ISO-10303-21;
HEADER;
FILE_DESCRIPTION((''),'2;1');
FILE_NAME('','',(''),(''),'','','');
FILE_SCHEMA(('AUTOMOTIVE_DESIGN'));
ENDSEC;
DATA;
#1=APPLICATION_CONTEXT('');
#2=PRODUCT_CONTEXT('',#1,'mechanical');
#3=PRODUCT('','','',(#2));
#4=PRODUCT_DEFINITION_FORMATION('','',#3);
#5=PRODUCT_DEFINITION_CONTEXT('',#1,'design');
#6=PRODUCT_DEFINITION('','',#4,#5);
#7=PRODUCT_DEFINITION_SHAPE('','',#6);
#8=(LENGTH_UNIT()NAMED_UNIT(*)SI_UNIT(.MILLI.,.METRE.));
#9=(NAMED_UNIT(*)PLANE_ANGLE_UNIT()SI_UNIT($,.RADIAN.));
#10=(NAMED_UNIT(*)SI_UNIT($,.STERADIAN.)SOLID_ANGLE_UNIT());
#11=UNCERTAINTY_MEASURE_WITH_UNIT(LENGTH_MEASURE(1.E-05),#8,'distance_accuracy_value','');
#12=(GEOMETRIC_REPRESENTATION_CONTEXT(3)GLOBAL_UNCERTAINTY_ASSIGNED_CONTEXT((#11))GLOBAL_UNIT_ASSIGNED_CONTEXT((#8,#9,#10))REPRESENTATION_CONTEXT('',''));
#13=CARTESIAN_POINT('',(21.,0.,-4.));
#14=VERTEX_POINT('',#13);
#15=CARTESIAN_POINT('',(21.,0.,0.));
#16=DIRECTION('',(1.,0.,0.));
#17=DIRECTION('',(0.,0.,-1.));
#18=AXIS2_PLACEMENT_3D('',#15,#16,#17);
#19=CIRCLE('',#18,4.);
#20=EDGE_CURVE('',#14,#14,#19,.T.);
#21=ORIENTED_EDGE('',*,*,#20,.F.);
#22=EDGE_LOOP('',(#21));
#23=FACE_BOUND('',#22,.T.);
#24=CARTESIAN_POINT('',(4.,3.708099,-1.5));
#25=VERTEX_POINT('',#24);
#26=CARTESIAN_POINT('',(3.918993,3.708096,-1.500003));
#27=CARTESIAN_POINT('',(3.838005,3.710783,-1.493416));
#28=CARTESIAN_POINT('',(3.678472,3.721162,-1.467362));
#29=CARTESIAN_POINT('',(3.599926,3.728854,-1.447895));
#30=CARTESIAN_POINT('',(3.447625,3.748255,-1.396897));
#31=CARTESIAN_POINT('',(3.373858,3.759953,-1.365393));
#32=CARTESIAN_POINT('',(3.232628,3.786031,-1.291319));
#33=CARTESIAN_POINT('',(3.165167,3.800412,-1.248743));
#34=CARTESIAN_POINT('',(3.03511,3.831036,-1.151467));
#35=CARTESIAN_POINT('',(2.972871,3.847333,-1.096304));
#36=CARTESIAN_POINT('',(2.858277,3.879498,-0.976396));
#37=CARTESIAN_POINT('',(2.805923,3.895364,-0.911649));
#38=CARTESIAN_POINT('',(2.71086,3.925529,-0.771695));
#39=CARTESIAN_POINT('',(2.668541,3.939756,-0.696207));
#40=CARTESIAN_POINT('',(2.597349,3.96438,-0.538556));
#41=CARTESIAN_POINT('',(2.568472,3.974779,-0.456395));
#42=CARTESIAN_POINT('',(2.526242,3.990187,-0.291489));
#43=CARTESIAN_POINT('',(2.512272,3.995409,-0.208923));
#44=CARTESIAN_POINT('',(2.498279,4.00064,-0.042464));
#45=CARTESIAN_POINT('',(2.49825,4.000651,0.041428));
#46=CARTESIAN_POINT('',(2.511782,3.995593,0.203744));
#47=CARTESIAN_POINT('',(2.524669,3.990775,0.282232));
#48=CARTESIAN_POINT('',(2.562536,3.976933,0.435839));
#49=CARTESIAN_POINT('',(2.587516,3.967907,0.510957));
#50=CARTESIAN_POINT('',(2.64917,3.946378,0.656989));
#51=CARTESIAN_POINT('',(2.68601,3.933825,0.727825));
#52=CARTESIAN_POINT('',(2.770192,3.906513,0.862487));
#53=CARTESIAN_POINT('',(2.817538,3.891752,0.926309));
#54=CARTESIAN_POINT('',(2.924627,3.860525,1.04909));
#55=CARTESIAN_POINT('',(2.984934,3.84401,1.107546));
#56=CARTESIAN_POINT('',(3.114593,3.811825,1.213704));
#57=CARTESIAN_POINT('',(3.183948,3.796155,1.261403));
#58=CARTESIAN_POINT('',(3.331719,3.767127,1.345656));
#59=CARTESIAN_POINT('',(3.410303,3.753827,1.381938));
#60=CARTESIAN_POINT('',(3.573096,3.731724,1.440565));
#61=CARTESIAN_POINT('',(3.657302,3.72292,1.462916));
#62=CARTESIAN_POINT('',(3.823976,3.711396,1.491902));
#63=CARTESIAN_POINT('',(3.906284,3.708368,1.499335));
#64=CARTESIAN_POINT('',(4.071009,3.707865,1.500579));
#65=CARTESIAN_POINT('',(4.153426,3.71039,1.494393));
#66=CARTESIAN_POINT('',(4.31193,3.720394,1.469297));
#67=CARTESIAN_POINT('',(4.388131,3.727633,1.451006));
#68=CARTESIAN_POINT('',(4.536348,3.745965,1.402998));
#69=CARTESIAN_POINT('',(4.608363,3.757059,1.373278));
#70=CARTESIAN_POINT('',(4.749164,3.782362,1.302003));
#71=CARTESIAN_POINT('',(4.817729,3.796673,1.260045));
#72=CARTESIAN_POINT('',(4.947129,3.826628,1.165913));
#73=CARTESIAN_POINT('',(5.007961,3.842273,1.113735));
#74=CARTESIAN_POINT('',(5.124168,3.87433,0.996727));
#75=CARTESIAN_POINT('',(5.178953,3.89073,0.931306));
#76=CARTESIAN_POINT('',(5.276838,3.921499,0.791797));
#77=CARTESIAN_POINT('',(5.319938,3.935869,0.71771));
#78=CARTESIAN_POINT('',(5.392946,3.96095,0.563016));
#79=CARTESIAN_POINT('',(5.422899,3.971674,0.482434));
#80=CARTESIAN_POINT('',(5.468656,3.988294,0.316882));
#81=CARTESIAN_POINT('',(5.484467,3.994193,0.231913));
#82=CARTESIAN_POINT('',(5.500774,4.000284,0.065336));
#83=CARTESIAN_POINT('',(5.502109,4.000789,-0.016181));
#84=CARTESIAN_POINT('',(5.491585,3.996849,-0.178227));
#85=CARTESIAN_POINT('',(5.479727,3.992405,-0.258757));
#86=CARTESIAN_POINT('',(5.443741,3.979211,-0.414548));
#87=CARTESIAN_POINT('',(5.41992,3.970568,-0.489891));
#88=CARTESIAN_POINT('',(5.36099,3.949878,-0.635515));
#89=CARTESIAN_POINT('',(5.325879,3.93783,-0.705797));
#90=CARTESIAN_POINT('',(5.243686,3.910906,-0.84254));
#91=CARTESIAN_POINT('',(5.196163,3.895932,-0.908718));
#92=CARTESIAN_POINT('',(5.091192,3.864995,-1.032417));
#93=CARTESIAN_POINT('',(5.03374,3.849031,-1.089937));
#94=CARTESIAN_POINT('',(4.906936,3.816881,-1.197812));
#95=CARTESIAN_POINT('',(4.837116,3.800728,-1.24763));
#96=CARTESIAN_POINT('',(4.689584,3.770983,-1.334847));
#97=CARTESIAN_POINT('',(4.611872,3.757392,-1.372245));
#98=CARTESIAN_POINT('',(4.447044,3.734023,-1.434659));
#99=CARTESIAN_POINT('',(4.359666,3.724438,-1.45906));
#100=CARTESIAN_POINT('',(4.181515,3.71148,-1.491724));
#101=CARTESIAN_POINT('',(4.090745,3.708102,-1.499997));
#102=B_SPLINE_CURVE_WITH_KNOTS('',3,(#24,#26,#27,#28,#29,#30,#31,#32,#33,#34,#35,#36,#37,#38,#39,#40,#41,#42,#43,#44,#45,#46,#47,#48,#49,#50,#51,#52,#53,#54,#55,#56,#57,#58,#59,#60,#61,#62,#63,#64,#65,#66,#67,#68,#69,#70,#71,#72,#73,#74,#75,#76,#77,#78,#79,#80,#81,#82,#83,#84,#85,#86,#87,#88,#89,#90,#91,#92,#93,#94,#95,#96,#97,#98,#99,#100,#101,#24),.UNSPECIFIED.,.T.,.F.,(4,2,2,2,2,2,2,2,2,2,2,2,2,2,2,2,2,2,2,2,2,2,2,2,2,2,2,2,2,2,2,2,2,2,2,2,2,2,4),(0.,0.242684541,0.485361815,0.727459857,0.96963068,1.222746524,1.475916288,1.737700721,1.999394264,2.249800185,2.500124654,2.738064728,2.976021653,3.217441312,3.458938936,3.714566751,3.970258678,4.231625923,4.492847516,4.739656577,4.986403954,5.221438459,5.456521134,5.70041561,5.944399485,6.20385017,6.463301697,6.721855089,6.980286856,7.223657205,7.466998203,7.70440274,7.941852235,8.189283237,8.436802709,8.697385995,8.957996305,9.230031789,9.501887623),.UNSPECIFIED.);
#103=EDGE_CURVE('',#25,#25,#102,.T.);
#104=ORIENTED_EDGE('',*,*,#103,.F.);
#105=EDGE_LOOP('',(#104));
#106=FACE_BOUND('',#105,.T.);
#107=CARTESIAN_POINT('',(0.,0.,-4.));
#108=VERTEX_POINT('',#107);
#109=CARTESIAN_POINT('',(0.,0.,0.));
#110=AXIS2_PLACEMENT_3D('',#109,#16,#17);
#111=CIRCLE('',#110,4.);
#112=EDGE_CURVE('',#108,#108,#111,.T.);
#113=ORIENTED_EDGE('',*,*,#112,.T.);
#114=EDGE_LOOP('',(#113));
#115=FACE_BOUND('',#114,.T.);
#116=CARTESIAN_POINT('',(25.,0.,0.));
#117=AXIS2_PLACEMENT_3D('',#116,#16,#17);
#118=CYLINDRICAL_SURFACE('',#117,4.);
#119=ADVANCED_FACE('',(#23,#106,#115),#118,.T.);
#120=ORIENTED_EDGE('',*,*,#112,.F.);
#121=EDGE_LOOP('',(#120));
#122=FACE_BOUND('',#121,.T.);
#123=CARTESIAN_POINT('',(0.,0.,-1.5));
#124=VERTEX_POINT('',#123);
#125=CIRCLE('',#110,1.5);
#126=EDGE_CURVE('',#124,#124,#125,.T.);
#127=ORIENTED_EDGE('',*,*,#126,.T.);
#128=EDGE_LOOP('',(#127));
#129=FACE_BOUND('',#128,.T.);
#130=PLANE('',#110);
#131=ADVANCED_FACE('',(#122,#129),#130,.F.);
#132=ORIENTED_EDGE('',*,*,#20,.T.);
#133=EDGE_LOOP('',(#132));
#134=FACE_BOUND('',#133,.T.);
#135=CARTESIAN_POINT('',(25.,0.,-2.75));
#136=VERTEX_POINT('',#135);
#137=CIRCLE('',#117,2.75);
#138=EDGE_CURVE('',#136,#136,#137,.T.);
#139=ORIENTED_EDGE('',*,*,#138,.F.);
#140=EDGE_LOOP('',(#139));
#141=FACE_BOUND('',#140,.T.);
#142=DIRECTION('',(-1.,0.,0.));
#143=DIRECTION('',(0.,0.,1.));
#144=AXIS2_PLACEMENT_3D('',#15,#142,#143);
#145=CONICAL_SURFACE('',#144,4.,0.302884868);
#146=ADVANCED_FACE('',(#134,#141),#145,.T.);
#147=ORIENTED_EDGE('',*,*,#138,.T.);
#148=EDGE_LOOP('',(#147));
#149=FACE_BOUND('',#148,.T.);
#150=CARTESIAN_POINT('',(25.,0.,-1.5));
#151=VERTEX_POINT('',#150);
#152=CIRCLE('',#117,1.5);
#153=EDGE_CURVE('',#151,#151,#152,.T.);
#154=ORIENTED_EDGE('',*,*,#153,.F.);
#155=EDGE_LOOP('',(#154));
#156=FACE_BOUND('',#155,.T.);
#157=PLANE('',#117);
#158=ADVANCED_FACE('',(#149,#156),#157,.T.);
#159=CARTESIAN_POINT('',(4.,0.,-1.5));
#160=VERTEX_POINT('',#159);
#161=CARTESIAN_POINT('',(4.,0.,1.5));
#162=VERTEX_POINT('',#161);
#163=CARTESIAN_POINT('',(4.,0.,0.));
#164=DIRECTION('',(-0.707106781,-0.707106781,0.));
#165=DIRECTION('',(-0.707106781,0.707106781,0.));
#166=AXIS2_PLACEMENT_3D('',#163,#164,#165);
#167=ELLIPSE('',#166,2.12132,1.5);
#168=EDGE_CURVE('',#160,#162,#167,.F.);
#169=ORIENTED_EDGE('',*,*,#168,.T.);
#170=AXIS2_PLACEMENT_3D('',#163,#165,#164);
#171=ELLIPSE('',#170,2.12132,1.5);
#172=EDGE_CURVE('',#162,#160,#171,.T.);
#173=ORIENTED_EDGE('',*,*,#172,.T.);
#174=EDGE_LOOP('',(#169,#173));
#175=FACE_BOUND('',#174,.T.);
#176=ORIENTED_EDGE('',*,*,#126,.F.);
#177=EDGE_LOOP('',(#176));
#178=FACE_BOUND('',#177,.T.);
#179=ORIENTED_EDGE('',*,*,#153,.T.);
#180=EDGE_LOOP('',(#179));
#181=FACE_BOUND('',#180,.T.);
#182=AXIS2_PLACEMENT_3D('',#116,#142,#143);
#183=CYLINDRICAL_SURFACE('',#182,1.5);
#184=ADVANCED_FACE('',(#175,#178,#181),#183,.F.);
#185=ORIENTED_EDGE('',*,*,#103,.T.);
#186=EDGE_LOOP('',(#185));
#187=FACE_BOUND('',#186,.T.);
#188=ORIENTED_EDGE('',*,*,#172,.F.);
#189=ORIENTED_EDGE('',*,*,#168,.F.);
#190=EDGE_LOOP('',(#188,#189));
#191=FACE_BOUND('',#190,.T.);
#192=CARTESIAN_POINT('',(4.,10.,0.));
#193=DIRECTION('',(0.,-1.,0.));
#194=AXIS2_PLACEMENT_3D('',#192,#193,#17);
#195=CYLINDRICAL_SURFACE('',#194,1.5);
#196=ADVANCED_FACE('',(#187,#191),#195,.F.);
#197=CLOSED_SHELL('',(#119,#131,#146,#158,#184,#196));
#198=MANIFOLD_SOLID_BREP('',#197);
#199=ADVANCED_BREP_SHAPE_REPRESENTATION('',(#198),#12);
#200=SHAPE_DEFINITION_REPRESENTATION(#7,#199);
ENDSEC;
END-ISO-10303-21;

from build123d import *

# Parameters (mm, degrees)
SKETCH1_W      = 21
SKETCH1_H      = 4
SKETCH2_R      = 1.5
EXTRUDE4_DEPTH = 26.632011236
SKETCH3_R      = 1.5
EXTRUDE5_DEPTH = 10


with BuildPart() as part:
    # Sketch1 → Revolve1 (revolve)
    with BuildSketch(Plane.XY, mode=Mode.PRIVATE) as revolve1_sk:
        with Locations((10.5, 2)):
            Rectangle(SKETCH1_W, SKETCH1_H)
        Polygon((21, 4), (21, 0), (25, 0), (25, 2.75), align=None)
    revolve(revolve1_sk.sketch.rotate(Axis((25, 0, 0), (-1, 0, 0)), 90), axis=Axis((25, 0, 0), (-1, 0, 0)))

    # Sketch2 → Extrude4 (cut, through all)
    with BuildSketch(Plane(origin=(0, 0, 0), x_dir=(0, 0, -1), z_dir=(1, 0, 0))):
        Circle(SKETCH2_R)
    extrude(amount=EXTRUDE4_DEPTH, mode=Mode.SUBTRACT)

    # Sketch3 → Extrude5 (cut)
    with BuildSketch(Plane(origin=(0, 0, 0), x_dir=(1, 0, 0), z_dir=(0, 1, 0))):
        with Locations(Location((4, 0, 0), (0, 0, 90))):
            Circle(SKETCH3_R)
    extrude(amount=EXTRUDE5_DEPTH, mode=Mode.SUBTRACT)


solid = part.part
